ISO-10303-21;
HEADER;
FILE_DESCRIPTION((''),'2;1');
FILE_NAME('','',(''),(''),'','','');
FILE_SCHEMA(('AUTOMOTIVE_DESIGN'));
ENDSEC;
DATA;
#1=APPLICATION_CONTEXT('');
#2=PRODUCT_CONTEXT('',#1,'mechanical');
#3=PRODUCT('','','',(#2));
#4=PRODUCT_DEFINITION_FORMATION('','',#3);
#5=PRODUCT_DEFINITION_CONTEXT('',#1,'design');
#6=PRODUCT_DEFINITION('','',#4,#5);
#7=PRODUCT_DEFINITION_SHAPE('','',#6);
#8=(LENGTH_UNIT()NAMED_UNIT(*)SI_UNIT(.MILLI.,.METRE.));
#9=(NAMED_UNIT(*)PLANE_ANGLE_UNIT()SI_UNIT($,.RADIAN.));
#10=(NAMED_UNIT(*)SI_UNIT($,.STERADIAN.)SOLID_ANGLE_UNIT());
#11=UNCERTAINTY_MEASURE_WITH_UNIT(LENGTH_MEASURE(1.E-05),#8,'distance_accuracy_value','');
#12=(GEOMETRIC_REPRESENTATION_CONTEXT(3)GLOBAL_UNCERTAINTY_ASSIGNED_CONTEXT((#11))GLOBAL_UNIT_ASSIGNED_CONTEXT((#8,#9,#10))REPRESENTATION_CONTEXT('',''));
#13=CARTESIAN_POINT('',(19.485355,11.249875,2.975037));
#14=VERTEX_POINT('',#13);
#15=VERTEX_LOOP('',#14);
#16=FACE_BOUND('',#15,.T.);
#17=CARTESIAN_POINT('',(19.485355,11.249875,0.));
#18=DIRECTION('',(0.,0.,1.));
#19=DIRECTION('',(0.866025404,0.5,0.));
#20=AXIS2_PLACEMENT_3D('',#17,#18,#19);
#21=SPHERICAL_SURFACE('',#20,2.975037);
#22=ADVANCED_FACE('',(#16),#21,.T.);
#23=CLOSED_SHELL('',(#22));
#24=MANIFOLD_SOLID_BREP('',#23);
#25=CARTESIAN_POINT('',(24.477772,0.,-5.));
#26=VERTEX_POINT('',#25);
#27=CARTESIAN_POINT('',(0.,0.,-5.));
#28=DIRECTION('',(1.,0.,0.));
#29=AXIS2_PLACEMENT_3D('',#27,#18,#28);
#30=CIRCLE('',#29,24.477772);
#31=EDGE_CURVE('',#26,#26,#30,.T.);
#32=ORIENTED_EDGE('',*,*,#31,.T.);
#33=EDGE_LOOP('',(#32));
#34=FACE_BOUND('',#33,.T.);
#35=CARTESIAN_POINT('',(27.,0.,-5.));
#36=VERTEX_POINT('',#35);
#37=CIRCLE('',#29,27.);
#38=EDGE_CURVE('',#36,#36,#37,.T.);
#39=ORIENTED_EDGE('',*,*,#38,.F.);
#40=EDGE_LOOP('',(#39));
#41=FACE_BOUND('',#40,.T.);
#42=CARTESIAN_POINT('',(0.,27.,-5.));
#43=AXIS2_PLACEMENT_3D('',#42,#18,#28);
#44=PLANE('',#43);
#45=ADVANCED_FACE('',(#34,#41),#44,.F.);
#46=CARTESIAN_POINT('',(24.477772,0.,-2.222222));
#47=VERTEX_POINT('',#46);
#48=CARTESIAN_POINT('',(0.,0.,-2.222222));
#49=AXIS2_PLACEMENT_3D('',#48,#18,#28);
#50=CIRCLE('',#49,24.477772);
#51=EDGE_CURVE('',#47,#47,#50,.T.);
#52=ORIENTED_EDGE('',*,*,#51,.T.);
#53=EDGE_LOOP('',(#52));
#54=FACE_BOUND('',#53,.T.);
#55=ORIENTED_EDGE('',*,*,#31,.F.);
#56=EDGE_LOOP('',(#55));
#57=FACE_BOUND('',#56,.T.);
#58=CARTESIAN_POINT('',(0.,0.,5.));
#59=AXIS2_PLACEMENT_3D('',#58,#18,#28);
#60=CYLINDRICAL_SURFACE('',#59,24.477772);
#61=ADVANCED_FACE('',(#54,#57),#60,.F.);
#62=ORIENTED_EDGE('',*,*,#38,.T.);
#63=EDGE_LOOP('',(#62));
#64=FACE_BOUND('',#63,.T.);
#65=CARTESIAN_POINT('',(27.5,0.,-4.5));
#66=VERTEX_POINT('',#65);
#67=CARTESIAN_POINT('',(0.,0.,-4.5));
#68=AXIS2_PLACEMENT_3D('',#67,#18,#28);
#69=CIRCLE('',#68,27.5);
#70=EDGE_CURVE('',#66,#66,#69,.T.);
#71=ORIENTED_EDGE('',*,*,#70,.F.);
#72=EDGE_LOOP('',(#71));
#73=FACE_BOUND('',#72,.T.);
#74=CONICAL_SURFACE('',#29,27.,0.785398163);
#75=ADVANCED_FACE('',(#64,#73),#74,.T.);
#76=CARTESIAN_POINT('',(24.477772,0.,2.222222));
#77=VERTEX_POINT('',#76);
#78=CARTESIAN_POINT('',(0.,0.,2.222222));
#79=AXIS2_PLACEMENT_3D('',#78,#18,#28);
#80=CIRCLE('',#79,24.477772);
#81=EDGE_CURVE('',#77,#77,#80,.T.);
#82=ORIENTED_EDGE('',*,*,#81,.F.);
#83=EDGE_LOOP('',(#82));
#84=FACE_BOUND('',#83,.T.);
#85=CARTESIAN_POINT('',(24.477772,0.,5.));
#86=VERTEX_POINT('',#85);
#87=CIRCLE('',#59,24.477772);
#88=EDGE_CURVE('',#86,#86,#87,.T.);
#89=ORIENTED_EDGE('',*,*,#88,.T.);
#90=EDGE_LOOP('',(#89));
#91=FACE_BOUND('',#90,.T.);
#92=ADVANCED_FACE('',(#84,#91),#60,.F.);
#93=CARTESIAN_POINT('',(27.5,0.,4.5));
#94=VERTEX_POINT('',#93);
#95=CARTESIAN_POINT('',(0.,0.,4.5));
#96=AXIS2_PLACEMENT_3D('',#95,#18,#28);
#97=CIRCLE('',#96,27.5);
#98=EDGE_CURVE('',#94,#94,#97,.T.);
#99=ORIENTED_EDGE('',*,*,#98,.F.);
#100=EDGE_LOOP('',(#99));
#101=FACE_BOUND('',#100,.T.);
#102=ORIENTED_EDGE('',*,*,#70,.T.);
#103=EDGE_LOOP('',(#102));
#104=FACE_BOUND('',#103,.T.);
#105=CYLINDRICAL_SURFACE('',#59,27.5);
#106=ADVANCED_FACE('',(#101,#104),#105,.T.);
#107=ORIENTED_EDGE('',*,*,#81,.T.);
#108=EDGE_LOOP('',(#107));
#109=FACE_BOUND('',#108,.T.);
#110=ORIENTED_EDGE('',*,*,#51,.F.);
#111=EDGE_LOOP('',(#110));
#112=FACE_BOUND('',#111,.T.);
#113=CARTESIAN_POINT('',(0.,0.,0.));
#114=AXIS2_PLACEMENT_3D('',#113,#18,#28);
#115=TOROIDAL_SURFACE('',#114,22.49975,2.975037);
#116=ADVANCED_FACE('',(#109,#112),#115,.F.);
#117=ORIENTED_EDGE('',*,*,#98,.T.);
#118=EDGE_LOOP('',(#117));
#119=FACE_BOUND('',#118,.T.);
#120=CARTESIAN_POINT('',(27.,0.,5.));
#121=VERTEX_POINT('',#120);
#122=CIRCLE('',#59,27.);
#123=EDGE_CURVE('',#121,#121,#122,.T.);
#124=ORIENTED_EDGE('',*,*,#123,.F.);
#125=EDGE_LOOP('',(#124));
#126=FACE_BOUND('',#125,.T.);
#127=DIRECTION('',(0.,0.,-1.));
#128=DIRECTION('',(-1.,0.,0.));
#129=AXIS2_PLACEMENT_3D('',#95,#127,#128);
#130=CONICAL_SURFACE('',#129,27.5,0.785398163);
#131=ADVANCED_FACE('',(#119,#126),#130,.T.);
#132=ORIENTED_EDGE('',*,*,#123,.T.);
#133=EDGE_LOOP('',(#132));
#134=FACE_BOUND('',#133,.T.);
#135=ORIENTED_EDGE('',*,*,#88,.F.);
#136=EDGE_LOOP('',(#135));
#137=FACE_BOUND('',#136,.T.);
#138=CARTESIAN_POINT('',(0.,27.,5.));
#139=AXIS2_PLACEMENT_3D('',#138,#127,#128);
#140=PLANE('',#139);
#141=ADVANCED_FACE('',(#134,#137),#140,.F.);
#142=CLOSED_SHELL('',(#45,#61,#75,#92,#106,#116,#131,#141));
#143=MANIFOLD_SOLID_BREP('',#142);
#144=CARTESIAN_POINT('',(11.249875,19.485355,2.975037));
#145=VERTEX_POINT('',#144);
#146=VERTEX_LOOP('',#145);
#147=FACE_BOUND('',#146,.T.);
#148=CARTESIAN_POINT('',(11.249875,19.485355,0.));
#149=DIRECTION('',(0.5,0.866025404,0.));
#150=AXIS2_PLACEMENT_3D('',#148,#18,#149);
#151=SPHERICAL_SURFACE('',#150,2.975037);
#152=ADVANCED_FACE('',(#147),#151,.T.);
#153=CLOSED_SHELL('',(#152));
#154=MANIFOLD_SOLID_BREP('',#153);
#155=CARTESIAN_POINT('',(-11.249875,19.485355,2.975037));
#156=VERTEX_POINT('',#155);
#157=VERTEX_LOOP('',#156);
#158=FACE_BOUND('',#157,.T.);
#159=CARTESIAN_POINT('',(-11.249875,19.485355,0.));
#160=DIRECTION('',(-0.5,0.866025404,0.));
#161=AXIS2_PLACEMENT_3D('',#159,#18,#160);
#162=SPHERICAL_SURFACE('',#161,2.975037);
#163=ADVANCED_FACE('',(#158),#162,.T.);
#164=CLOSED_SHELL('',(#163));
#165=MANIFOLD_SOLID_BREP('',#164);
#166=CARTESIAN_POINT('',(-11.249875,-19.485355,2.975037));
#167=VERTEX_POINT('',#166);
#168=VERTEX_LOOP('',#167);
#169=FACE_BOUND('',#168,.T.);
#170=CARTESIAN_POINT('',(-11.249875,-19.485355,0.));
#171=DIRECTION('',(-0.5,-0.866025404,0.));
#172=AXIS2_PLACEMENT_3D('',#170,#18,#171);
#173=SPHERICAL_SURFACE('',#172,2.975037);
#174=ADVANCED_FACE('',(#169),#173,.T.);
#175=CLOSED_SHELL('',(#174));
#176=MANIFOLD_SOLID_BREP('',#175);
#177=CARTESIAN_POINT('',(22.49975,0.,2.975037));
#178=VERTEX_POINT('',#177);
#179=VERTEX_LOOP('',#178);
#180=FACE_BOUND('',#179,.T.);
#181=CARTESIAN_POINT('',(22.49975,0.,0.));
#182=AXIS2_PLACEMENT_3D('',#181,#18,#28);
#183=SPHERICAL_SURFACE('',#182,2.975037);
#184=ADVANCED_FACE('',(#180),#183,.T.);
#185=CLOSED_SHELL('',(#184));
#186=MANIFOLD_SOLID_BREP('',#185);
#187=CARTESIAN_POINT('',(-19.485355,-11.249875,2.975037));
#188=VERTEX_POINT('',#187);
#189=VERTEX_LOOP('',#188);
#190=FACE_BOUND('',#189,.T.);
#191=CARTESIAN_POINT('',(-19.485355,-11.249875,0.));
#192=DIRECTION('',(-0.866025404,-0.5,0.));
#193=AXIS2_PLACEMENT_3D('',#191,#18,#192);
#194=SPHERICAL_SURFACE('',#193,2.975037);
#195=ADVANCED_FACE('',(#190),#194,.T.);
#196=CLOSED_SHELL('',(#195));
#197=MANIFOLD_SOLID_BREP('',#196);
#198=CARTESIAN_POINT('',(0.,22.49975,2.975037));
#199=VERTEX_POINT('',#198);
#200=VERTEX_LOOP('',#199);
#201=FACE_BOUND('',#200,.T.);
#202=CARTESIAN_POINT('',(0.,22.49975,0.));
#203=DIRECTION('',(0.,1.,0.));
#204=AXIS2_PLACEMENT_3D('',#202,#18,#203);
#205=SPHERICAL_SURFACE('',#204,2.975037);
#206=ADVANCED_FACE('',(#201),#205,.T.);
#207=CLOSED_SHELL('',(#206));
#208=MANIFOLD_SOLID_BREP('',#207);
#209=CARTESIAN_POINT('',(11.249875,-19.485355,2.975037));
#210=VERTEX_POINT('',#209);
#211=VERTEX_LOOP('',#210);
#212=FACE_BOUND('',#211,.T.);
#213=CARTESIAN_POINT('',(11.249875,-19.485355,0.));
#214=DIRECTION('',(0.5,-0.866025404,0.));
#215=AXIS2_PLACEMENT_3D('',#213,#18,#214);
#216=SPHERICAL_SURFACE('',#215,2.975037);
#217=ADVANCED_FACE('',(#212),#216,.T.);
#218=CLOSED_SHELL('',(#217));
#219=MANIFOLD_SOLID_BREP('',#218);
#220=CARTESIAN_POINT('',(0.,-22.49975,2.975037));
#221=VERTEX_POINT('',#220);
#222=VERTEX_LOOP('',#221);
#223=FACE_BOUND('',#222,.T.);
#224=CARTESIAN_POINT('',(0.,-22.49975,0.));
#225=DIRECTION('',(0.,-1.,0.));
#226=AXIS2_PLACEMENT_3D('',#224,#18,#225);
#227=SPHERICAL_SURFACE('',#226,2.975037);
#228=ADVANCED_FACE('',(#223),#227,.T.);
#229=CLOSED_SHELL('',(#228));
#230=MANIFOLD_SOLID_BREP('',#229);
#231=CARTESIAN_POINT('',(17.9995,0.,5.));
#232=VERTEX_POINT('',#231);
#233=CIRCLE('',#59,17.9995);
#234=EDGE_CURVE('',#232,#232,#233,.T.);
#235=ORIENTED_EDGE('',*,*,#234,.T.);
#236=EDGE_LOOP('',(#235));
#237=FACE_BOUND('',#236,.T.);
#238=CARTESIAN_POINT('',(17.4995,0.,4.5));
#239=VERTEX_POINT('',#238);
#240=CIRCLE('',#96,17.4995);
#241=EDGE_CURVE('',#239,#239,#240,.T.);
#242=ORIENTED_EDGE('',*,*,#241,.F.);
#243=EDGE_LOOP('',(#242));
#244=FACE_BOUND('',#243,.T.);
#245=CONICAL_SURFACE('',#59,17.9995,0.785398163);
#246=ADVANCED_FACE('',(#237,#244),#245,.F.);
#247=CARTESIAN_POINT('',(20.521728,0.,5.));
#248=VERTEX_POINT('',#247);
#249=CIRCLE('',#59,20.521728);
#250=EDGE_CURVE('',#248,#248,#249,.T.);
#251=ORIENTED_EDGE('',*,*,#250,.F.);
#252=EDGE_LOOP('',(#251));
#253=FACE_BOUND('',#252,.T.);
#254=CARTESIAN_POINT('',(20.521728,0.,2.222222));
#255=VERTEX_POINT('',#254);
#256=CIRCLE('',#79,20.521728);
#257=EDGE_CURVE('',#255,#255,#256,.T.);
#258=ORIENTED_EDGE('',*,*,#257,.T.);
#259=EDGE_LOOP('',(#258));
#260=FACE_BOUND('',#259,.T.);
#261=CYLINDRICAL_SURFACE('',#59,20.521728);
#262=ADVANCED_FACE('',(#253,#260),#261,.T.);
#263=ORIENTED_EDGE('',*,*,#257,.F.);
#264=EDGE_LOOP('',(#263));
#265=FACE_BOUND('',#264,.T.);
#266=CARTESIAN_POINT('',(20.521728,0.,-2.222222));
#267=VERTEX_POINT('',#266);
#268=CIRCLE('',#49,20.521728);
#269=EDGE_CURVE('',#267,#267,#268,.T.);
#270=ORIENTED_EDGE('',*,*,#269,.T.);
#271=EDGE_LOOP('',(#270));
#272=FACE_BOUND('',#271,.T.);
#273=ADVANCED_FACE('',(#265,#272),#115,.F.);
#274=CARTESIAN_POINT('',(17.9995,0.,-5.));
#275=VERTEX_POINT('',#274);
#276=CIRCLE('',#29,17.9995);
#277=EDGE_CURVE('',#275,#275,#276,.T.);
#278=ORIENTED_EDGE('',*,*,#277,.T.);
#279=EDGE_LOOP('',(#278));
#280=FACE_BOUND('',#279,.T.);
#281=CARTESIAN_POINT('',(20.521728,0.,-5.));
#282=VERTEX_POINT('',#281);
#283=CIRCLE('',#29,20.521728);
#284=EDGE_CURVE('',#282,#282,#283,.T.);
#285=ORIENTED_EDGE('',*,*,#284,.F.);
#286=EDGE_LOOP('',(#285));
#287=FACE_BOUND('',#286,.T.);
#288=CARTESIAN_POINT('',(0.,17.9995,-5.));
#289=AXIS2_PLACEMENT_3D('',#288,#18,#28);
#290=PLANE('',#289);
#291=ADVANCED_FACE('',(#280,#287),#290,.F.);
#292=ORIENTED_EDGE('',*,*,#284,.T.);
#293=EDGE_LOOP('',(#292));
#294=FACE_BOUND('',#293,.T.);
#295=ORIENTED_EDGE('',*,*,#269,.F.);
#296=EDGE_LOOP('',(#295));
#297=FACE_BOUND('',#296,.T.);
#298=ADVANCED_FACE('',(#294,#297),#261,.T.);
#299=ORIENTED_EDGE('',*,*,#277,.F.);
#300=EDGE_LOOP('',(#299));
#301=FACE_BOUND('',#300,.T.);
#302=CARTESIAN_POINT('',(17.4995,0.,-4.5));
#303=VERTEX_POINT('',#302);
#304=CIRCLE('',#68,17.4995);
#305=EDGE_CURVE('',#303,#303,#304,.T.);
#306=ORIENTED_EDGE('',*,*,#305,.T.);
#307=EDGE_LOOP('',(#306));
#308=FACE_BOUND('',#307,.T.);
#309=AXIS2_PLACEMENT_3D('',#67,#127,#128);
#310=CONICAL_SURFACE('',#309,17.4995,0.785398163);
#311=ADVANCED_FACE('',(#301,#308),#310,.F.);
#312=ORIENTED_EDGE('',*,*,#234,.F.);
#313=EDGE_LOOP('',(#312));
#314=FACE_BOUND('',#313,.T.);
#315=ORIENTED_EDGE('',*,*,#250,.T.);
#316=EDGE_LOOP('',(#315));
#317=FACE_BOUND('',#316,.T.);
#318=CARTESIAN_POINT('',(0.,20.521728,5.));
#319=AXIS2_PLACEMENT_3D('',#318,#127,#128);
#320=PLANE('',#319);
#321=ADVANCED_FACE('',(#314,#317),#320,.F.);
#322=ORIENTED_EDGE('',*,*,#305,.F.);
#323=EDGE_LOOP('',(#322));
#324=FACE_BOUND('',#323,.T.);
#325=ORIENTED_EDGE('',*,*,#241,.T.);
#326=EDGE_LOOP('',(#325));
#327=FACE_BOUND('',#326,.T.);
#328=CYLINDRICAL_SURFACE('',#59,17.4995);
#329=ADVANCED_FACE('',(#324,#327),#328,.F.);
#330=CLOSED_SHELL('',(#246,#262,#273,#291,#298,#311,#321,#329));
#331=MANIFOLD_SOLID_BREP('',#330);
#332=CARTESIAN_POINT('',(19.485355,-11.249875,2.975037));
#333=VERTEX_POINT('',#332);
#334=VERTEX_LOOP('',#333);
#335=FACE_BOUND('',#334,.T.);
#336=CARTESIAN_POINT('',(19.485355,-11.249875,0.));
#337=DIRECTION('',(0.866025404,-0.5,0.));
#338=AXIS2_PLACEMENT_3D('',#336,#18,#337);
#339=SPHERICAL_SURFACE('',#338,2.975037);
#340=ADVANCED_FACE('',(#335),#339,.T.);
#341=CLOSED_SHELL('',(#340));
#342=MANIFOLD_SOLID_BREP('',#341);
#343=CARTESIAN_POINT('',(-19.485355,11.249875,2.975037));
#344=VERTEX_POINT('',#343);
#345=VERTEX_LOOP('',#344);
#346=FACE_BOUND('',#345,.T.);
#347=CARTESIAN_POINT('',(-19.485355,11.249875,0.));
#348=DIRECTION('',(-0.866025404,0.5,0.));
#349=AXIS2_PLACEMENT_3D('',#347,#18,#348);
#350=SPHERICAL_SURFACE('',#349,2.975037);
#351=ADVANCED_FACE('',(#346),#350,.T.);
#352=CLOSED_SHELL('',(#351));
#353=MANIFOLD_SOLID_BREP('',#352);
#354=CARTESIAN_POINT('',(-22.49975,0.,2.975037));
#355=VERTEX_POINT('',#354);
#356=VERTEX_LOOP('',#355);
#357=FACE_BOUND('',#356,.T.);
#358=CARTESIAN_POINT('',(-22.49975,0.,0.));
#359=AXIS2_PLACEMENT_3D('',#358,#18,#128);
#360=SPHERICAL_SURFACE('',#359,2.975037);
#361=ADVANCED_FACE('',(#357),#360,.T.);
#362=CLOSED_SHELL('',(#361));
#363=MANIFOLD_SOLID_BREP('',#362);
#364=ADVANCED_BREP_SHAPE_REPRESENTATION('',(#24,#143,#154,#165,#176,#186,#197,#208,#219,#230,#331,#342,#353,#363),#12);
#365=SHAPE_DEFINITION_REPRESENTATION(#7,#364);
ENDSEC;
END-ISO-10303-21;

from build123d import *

# Parameters (mm, degrees)
CIRPATTERN1_COUNT = 12


with BuildPart() as part:
    # Sketch1 → Revolve1 (revolve)
    with BuildSketch(Plane(origin=(0, 0, 0), x_dir=(0, 0, -1), z_dir=(1, 0, 0))):
        with BuildLine():
            Line((4.5, 27.5), (-4.5, 27.5))
            Line((-4.5, 27.5), (-5, 27))
            Line((-5, 27), (-5, 24.477771978))
            Line((-5, 24.477771978), (-2.222222222, 24.477771978))
            ThreePointArc((-2.222222222, 24.477771978), (0, 25.474786563), (2.222222222, 24.477771978))
            Line((2.222222222, 24.477771978), (5, 24.477771978))
            Line((5, 24.477771978), (5, 27))
            Line((5, 27), (4.5, 27.5))
        make_face()
    revolve(axis=Axis((0, 0, 5), (0, 0, -1)))


with BuildPart() as body_2:
    # Sketch3 → Revolve3 (revolve)
    with BuildSketch(Plane(origin=(0, 0, 0), x_dir=(0, 0, -1), z_dir=(1, 0, 0))):
        with BuildLine():
            Line((-5, 20.521728022), (-2.222222222, 20.521728022))
            ThreePointArc((-2.222222222, 20.521728022), (0, 19.524713437), (2.222222222, 20.521728022))
            Line((2.222222222, 20.521728022), (5, 20.521728022))
            Line((5, 20.521728022), (5, 17.9995))
            Line((5, 17.9995), (4.5, 17.4995))
            Line((4.5, 17.4995), (-4.5, 17.4995))
            Line((-4.5, 17.4995), (-5, 17.9995))
            Line((-5, 17.9995), (-5, 20.521728022))
        make_face()
    revolve(axis=Axis((0, 0, 5), (0, 0, -1)))


with BuildPart() as body_3:
    # Sketch4 → Revolve4 (revolve)
    with BuildSketch(Plane(origin=(0, 0, 0), x_dir=(0, 0, -1), z_dir=(1, 0, 0))):
        with BuildLine():
            Line((-2.975036563, 22.49975), (2.975036563, 22.49975))
            ThreePointArc((2.975036563, 22.49975), (0, 25.474786563), (-2.975036563, 22.49975))
        make_face()
    revolve(axis=Axis((0, 22.49975, 2.975036563), (0, 0, -1)))


with BuildPart() as cirpattern1_1:
    # CirPattern1: pattern copy
    add(body_3.part.rotate(Axis((0, 0, -5), (0, 0, 1)), 1 * 360 / CIRPATTERN1_COUNT))


with BuildPart() as cirpattern1_2:
    # CirPattern1: pattern copy
    add(body_3.part.rotate(Axis((0, 0, -5), (0, 0, 1)), 2 * 360 / CIRPATTERN1_COUNT))


with BuildPart() as cirpattern1_3:
    # CirPattern1: pattern copy
    add(body_3.part.rotate(Axis((0, 0, -5), (0, 0, 1)), 3 * 360 / CIRPATTERN1_COUNT))


with BuildPart() as cirpattern1_4:
    # CirPattern1: pattern copy
    add(body_3.part.rotate(Axis((0, 0, -5), (0, 0, 1)), 4 * 360 / CIRPATTERN1_COUNT))


with BuildPart() as cirpattern1_5:
    # CirPattern1: pattern copy
    add(body_3.part.rotate(Axis((0, 0, -5), (0, 0, 1)), 5 * 360 / CIRPATTERN1_COUNT))


with BuildPart() as cirpattern1_6:
    # CirPattern1: pattern copy
    add(body_3.part.rotate(Axis((0, 0, -5), (0, 0, 1)), 6 * 360 / CIRPATTERN1_COUNT))


with BuildPart() as cirpattern1_7:
    # CirPattern1: pattern copy
    add(body_3.part.rotate(Axis((0, 0, -5), (0, 0, 1)), 7 * 360 / CIRPATTERN1_COUNT))


with BuildPart() as cirpattern1_8:
    # CirPattern1: pattern copy
    add(body_3.part.rotate(Axis((0, 0, -5), (0, 0, 1)), 8 * 360 / CIRPATTERN1_COUNT))


with BuildPart() as cirpattern1_9:
    # CirPattern1: pattern copy
    add(body_3.part.rotate(Axis((0, 0, -5), (0, 0, 1)), 9 * 360 / CIRPATTERN1_COUNT))


with BuildPart() as cirpattern1_10:
    # CirPattern1: pattern copy
    add(body_3.part.rotate(Axis((0, 0, -5), (0, 0, 1)), 10 * 360 / CIRPATTERN1_COUNT))


with BuildPart() as cirpattern1_11:
    # CirPattern1: pattern copy
    add(body_3.part.rotate(Axis((0, 0, -5), (0, 0, 1)), 11 * 360 / CIRPATTERN1_COUNT))


solid = Compound([part.part, body_2.part, body_3.part, cirpattern1_1.part, cirpattern1_2.part, cirpattern1_3.part, cirpattern1_4.part, cirpattern1_5.part, cirpattern1_6.part, cirpattern1_7.part, cirpattern1_8.part, cirpattern1_9.part, cirpattern1_10.part, cirpattern1_11.part])
